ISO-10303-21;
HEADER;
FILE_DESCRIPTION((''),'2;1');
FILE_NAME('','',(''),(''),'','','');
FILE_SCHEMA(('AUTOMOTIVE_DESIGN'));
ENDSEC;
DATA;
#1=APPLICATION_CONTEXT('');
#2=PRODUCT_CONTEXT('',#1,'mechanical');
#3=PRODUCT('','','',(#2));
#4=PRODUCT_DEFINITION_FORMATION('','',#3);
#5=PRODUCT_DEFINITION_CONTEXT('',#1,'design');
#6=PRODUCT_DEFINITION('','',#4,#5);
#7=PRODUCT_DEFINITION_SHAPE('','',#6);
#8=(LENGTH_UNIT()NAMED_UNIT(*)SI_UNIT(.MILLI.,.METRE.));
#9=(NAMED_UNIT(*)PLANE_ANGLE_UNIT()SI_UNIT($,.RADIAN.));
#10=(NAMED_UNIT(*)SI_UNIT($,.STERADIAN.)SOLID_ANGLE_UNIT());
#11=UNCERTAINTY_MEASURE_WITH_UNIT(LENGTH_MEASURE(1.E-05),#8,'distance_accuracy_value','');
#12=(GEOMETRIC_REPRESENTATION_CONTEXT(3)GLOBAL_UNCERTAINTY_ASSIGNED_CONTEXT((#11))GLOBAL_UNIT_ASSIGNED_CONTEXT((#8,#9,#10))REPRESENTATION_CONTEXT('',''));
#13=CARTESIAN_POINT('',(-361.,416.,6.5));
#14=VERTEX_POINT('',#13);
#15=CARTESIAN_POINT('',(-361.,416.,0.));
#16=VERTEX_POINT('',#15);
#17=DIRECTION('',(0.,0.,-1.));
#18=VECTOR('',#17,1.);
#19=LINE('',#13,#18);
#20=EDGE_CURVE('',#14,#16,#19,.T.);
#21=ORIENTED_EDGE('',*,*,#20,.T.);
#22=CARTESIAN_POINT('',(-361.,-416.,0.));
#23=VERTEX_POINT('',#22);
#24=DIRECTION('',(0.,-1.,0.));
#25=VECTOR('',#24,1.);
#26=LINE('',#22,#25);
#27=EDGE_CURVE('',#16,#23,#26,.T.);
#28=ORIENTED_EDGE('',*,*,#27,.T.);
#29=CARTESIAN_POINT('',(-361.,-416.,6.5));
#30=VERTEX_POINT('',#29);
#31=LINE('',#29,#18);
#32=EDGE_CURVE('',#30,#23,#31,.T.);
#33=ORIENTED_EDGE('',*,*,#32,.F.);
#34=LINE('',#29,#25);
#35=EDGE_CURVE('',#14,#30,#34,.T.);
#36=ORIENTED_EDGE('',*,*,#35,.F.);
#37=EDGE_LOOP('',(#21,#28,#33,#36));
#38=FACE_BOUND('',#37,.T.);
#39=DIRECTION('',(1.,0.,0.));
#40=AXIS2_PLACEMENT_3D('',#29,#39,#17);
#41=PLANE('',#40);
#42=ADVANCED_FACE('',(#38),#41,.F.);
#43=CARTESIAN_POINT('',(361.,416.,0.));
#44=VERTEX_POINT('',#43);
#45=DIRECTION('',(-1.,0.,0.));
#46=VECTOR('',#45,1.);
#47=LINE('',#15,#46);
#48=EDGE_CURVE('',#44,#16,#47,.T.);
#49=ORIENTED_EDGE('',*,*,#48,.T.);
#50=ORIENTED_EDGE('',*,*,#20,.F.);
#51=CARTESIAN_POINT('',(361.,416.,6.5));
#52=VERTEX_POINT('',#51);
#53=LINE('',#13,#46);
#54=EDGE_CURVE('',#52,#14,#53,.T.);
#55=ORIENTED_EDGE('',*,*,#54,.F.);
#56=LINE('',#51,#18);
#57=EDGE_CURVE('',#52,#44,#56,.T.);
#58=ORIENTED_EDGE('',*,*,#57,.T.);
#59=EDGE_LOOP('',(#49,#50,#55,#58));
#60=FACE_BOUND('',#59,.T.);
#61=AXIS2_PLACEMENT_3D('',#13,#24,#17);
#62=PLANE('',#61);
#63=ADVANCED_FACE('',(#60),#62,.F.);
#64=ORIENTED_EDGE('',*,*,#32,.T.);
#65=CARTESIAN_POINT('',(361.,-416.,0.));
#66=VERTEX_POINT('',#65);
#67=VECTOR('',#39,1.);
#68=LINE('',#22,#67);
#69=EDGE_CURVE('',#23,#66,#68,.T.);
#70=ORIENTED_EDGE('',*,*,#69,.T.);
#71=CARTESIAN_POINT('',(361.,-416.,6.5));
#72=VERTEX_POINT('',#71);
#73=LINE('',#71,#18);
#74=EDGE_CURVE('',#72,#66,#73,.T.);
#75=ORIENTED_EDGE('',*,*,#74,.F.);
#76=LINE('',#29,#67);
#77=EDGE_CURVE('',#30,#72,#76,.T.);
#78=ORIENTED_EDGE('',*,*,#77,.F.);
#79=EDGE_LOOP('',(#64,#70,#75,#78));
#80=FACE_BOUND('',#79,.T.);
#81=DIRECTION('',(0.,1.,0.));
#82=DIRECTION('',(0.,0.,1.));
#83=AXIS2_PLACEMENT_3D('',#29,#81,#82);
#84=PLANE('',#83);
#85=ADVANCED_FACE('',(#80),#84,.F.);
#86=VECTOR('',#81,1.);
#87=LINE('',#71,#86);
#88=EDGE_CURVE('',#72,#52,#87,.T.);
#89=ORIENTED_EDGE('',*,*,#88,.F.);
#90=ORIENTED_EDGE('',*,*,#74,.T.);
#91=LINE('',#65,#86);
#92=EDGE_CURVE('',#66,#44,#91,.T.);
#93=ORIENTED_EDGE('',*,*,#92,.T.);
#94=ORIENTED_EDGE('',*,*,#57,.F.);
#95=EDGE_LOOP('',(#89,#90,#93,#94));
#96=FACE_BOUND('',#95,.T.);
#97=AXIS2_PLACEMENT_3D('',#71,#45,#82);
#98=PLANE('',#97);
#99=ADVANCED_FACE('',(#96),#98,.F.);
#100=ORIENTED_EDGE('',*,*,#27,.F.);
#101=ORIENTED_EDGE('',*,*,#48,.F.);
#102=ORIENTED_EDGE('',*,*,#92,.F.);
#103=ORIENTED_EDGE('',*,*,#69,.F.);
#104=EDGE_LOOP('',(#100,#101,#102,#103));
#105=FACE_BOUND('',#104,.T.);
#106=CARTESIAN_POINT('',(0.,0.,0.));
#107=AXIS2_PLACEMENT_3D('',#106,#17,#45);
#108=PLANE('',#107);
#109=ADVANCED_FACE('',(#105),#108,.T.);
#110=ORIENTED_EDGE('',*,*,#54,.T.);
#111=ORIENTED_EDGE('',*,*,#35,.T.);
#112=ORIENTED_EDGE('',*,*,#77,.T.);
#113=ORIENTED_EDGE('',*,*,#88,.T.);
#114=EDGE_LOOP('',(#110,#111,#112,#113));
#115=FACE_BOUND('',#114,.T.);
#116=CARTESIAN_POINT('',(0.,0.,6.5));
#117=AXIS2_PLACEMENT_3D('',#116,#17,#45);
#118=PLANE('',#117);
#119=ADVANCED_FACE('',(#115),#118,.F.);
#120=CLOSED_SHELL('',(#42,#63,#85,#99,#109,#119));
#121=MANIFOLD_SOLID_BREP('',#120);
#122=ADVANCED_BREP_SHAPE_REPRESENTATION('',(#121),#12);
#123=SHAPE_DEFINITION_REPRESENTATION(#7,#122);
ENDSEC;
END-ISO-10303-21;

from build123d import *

# Parameters (mm, degrees)
ESQUISSE1_W        = 722
ESQUISSE1_H        = 832
BOSS_EXTRU_1_DEPTH = 6.5


with BuildPart() as part:
    # Esquisse1 → Boss.-Extru.1 (new body)
    with BuildSketch(Plane.XY):
        Rectangle(ESQUISSE1_W, ESQUISSE1_H)
    extrude(amount=BOSS_EXTRU_1_DEPTH)


solid = part.part
